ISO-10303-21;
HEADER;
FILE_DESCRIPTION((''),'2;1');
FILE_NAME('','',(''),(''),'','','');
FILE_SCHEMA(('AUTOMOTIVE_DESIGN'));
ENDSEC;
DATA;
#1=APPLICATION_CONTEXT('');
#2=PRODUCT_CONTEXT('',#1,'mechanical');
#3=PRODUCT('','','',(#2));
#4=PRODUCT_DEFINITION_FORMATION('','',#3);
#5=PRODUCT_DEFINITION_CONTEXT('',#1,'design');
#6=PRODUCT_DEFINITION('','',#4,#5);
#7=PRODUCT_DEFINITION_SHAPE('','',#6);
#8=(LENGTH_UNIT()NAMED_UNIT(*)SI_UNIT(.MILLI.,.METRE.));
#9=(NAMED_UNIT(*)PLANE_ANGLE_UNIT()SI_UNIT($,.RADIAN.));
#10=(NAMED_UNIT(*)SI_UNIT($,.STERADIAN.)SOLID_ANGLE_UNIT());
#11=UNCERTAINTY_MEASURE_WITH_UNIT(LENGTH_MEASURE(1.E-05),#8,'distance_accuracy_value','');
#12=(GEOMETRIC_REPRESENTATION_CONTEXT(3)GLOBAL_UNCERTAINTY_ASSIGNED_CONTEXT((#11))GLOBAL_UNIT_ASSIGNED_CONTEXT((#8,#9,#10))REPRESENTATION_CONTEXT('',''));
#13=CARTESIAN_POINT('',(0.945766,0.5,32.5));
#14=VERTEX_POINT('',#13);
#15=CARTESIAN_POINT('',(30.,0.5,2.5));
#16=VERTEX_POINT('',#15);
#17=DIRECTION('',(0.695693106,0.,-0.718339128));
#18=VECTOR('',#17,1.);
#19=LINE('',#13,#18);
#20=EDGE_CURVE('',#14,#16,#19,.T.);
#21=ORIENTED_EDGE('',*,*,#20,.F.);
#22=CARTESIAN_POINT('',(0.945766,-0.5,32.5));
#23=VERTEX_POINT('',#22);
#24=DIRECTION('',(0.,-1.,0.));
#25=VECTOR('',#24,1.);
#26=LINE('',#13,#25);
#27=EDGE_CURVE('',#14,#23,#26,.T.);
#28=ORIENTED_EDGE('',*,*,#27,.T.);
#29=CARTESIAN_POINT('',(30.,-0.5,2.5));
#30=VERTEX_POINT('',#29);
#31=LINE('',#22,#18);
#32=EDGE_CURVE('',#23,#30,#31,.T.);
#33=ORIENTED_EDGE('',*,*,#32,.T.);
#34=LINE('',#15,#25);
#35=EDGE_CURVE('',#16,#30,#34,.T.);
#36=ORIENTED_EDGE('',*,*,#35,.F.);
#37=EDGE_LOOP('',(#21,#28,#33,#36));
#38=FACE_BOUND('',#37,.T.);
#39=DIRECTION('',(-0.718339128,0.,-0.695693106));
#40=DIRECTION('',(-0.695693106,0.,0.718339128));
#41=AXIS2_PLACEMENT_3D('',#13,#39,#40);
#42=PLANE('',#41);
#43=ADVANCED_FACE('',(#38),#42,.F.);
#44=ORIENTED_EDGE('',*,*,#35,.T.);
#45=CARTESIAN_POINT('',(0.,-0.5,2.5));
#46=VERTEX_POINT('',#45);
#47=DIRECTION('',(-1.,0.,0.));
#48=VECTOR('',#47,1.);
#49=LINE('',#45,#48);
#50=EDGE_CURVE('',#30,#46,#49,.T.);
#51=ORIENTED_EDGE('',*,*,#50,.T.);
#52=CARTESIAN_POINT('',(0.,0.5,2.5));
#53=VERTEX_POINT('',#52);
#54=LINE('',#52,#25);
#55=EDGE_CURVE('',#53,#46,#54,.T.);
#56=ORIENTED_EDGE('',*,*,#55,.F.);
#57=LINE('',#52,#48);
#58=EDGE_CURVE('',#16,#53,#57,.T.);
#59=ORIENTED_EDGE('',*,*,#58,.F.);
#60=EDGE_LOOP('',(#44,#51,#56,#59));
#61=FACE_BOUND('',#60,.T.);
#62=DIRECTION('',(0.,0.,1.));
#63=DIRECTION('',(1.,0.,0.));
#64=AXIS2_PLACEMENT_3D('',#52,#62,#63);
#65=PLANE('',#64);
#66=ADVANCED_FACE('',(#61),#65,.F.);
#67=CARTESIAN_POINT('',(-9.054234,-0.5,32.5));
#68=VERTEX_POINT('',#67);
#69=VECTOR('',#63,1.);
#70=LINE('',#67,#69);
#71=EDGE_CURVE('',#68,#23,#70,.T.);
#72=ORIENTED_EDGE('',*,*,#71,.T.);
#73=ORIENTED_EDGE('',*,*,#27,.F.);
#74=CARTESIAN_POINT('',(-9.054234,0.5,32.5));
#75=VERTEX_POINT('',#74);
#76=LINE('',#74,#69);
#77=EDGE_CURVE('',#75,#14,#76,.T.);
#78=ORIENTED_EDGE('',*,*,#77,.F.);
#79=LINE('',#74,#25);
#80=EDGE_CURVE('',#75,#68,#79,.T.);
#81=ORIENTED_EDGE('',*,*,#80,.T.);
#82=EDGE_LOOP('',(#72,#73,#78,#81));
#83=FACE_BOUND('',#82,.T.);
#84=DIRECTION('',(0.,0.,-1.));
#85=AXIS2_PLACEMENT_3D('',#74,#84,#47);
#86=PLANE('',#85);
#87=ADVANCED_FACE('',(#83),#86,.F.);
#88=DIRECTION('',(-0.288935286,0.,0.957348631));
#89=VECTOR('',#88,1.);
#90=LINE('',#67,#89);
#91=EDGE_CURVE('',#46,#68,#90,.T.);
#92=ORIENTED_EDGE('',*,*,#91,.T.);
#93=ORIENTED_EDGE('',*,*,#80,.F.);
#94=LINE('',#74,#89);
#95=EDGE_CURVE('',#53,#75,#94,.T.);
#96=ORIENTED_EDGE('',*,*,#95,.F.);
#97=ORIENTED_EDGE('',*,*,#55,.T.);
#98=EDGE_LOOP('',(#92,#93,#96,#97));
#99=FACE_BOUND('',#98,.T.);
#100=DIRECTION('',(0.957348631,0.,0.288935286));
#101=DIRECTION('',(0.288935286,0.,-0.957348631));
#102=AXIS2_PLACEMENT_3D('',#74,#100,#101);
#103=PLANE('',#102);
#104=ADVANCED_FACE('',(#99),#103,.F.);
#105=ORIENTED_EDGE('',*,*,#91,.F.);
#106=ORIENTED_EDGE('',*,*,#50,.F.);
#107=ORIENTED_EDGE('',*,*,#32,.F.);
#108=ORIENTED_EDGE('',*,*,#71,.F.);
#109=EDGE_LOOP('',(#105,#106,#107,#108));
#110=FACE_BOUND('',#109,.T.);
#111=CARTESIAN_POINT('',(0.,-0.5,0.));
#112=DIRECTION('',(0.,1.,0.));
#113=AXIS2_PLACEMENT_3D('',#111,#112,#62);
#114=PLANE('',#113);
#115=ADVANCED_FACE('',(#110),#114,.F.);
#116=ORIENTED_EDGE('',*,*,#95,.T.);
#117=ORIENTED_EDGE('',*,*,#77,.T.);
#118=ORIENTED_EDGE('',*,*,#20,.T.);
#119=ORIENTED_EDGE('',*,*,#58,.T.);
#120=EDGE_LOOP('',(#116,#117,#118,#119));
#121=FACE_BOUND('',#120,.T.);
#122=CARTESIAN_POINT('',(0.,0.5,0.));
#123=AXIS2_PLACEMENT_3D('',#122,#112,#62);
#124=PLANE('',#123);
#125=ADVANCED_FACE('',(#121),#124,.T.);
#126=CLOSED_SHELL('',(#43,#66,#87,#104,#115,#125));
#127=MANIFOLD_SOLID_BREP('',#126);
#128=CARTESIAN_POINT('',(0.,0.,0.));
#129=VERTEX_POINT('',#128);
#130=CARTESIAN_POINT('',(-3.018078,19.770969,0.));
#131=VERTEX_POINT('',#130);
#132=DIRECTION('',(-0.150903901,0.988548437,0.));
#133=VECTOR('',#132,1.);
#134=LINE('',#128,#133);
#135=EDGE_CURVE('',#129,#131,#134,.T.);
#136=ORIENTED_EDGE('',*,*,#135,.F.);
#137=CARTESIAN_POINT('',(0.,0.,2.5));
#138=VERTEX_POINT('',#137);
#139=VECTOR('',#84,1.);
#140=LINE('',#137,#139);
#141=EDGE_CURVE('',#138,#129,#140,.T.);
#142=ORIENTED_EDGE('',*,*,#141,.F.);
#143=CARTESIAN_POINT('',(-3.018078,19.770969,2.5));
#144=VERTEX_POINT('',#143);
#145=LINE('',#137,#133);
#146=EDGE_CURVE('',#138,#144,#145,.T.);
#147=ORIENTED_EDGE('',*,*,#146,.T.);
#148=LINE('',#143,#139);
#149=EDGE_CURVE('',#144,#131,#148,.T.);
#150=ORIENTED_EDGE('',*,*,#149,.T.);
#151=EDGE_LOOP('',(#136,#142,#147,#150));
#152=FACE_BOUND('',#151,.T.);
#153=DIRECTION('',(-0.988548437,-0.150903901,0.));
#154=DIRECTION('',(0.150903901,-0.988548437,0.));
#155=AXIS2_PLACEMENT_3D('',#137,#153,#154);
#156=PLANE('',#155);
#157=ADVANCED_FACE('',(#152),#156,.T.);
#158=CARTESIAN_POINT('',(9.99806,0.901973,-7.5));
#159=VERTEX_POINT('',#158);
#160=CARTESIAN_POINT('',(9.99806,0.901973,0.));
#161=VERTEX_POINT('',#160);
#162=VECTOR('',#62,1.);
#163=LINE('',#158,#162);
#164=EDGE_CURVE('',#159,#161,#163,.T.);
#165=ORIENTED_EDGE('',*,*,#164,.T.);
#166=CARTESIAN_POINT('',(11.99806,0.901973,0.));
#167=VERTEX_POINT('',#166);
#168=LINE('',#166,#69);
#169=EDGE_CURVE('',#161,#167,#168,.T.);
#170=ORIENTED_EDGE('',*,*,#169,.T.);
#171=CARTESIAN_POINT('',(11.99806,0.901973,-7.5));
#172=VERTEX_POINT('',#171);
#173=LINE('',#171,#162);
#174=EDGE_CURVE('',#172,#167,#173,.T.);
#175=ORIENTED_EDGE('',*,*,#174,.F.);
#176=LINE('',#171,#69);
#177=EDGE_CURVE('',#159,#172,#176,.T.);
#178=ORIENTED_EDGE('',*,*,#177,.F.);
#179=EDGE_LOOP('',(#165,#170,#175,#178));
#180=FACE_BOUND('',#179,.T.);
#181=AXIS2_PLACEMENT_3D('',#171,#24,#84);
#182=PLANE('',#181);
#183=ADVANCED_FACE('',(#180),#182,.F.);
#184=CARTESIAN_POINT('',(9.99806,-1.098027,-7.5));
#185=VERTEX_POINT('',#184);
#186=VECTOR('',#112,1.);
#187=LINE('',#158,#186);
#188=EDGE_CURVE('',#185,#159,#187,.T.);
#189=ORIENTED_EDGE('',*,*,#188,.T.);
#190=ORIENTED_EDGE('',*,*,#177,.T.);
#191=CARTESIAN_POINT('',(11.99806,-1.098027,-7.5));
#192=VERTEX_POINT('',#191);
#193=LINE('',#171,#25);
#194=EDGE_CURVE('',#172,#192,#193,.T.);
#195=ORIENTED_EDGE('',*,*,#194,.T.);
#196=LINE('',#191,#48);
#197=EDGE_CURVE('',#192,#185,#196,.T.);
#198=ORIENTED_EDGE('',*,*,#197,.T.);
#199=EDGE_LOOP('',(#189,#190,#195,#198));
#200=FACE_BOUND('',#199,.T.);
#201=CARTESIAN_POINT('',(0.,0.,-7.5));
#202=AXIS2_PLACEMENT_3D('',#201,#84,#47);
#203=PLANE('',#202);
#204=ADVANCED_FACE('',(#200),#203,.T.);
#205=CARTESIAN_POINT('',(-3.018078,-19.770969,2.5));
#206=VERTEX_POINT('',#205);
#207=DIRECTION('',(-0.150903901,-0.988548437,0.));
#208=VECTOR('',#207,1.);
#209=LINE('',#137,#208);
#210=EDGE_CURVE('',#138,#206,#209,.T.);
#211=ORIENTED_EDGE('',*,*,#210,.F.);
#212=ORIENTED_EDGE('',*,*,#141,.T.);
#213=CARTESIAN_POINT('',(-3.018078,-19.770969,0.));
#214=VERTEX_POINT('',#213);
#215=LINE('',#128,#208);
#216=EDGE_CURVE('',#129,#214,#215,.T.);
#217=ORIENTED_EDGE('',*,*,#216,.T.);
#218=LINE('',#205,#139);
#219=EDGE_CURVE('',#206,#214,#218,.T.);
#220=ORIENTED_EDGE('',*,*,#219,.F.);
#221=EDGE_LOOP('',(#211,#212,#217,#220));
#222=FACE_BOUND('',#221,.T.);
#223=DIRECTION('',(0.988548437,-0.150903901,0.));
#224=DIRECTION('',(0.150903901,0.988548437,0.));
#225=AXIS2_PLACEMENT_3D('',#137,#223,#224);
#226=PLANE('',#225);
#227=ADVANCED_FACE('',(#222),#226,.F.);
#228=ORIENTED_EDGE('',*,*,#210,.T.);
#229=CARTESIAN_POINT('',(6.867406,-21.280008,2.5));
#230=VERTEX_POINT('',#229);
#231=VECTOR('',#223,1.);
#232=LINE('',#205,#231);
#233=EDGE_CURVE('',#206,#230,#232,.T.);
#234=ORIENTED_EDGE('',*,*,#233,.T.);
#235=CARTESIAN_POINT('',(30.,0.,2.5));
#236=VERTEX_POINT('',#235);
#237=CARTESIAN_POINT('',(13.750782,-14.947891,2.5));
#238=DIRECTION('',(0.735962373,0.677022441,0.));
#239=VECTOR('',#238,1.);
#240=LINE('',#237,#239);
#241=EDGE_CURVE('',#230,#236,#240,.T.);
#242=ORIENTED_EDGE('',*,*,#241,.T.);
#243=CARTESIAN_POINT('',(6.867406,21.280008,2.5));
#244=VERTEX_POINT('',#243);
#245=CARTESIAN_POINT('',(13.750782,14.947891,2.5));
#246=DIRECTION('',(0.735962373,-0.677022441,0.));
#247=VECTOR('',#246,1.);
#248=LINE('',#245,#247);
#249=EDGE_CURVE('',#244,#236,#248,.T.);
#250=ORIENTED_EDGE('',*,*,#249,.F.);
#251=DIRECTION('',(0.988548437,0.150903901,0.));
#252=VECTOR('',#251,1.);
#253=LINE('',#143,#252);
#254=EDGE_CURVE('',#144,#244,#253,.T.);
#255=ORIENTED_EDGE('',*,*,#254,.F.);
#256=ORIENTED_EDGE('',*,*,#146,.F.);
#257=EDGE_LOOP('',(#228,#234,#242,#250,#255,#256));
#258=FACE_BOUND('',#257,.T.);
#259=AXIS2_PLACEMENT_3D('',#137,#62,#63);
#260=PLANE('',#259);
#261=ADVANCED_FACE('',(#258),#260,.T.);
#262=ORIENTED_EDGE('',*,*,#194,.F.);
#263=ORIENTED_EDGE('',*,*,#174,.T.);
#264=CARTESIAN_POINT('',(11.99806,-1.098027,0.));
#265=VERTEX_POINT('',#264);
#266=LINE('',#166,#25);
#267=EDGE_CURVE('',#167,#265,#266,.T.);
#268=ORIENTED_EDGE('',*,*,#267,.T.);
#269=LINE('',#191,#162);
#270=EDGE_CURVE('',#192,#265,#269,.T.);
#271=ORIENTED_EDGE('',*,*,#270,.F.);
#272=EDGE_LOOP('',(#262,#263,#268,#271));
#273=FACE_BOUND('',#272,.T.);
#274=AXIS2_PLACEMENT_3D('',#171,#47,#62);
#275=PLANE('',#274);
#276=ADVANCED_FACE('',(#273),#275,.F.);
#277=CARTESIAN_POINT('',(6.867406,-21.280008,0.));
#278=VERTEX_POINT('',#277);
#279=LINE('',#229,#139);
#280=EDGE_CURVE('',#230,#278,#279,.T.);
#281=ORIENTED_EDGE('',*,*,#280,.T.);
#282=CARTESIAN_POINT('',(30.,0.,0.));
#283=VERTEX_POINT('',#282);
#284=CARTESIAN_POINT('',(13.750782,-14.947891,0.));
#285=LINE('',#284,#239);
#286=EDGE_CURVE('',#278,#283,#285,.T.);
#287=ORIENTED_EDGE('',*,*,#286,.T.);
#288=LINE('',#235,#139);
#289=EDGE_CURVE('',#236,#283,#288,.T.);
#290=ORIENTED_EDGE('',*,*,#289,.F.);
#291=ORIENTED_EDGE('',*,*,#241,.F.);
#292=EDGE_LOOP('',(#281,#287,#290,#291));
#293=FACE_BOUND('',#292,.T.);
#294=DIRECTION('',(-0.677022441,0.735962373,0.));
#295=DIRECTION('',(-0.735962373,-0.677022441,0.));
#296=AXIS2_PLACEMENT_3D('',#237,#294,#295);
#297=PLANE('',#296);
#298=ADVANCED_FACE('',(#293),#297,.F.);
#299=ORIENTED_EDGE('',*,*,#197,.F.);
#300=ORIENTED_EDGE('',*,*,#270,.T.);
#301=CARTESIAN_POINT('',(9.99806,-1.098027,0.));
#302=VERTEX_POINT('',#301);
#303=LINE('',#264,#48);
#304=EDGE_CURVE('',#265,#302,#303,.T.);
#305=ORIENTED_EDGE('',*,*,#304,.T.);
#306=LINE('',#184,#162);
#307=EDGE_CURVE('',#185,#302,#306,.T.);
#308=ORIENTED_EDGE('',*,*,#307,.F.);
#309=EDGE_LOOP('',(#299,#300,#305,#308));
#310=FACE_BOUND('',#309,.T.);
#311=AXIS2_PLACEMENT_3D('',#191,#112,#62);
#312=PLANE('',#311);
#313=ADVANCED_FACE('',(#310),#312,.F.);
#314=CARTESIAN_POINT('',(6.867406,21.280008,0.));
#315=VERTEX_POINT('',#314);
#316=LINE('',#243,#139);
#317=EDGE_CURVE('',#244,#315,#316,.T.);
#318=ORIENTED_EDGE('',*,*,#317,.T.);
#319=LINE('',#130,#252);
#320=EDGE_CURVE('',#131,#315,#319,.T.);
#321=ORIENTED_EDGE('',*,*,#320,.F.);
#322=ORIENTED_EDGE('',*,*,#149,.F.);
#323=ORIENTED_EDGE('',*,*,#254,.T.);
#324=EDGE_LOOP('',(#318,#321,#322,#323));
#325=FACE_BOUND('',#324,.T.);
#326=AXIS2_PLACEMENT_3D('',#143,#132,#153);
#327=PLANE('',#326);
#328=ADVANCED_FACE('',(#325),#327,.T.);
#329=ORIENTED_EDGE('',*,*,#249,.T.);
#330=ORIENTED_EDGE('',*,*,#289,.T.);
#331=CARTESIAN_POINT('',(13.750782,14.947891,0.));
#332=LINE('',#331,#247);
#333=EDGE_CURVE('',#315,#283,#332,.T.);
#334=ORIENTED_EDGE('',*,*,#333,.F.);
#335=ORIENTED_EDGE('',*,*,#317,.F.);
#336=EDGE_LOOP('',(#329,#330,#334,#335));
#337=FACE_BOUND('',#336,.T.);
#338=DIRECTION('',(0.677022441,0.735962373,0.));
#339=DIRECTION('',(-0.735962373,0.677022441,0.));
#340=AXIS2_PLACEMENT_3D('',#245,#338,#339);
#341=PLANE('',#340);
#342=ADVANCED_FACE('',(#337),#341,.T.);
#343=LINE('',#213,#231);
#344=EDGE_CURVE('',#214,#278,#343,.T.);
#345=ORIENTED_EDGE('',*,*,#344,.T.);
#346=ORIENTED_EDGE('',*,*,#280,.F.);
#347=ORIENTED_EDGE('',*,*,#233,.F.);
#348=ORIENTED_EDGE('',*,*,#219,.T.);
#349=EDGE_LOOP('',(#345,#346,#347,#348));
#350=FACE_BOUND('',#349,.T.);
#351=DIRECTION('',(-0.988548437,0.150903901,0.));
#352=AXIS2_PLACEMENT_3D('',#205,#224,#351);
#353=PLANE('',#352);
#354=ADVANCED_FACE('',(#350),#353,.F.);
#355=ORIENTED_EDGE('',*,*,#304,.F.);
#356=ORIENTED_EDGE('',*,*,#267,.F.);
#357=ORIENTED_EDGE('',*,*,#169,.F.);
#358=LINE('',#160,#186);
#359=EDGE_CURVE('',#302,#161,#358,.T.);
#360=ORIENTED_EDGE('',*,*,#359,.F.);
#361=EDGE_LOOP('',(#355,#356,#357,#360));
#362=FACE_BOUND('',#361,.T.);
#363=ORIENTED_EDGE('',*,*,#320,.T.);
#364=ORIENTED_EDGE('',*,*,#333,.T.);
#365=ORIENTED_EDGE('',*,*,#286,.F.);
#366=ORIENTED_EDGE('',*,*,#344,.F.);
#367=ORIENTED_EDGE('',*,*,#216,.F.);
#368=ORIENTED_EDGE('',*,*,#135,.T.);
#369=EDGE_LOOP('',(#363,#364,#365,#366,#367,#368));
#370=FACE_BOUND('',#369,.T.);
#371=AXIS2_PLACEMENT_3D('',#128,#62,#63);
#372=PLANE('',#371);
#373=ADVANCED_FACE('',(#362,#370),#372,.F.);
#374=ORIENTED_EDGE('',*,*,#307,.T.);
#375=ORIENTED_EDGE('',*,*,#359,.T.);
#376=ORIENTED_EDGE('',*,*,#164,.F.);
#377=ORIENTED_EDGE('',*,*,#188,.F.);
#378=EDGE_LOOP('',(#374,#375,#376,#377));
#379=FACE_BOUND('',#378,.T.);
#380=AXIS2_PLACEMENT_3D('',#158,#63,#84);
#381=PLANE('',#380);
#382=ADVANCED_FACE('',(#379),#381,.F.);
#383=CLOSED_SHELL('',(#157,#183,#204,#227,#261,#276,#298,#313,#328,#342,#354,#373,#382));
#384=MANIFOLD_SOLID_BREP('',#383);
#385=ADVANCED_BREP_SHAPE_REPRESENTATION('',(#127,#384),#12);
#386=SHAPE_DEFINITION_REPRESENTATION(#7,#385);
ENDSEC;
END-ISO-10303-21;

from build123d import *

# Parameters (mm, degrees)
BOSS_EXTRUDE1_DEPTH = 2.5
BOSS_EXTRUDE2_DEPTH = 0.5
SKETCH5_W           = 2
SKETCH5_H           = 2
BOSS_EXTRUDE3_DEPTH = 7.5


with BuildPart() as part:
    # Sketch3 → Boss-Extrude1 (new body)
    with BuildSketch(Plane.XY):
        Polygon((6.867406349, 21.280007755), (30, 0), (0, 0), (-3.018078023, 19.770968743), align=None)
        Polygon((-3.018078023, -19.770968743), (6.867406349, -21.280007755), (30, 0), (0, 0), align=None)
    extrude(amount=BOSS_EXTRUDE1_DEPTH)

    # Sketch5 → Boss-Extrude3 (add)
    with BuildSketch(Plane(origin=(0, 0, 0), x_dir=(-1, 0, 0), z_dir=(0, 0, -1))):
        with Locations((-10.9980603, -0.098027413)):
            Rectangle(SKETCH5_W, SKETCH5_H)
    extrude(amount=BOSS_EXTRUDE3_DEPTH)


with BuildPart() as body_2:
    # Sketch4 → Boss-Extrude2 (new, symmetric)
    with BuildSketch(Plane(origin=(0, 0, 0), x_dir=(1, 0, 0), z_dir=(0, 1, 0))):
        Polygon((-9.054234069, -32.5), (0, -2.5), (30, -2.5), (0.945765931, -32.5), align=None)
    extrude(amount=BOSS_EXTRUDE2_DEPTH, both=True)


solid = Compound([part.part, body_2.part])
